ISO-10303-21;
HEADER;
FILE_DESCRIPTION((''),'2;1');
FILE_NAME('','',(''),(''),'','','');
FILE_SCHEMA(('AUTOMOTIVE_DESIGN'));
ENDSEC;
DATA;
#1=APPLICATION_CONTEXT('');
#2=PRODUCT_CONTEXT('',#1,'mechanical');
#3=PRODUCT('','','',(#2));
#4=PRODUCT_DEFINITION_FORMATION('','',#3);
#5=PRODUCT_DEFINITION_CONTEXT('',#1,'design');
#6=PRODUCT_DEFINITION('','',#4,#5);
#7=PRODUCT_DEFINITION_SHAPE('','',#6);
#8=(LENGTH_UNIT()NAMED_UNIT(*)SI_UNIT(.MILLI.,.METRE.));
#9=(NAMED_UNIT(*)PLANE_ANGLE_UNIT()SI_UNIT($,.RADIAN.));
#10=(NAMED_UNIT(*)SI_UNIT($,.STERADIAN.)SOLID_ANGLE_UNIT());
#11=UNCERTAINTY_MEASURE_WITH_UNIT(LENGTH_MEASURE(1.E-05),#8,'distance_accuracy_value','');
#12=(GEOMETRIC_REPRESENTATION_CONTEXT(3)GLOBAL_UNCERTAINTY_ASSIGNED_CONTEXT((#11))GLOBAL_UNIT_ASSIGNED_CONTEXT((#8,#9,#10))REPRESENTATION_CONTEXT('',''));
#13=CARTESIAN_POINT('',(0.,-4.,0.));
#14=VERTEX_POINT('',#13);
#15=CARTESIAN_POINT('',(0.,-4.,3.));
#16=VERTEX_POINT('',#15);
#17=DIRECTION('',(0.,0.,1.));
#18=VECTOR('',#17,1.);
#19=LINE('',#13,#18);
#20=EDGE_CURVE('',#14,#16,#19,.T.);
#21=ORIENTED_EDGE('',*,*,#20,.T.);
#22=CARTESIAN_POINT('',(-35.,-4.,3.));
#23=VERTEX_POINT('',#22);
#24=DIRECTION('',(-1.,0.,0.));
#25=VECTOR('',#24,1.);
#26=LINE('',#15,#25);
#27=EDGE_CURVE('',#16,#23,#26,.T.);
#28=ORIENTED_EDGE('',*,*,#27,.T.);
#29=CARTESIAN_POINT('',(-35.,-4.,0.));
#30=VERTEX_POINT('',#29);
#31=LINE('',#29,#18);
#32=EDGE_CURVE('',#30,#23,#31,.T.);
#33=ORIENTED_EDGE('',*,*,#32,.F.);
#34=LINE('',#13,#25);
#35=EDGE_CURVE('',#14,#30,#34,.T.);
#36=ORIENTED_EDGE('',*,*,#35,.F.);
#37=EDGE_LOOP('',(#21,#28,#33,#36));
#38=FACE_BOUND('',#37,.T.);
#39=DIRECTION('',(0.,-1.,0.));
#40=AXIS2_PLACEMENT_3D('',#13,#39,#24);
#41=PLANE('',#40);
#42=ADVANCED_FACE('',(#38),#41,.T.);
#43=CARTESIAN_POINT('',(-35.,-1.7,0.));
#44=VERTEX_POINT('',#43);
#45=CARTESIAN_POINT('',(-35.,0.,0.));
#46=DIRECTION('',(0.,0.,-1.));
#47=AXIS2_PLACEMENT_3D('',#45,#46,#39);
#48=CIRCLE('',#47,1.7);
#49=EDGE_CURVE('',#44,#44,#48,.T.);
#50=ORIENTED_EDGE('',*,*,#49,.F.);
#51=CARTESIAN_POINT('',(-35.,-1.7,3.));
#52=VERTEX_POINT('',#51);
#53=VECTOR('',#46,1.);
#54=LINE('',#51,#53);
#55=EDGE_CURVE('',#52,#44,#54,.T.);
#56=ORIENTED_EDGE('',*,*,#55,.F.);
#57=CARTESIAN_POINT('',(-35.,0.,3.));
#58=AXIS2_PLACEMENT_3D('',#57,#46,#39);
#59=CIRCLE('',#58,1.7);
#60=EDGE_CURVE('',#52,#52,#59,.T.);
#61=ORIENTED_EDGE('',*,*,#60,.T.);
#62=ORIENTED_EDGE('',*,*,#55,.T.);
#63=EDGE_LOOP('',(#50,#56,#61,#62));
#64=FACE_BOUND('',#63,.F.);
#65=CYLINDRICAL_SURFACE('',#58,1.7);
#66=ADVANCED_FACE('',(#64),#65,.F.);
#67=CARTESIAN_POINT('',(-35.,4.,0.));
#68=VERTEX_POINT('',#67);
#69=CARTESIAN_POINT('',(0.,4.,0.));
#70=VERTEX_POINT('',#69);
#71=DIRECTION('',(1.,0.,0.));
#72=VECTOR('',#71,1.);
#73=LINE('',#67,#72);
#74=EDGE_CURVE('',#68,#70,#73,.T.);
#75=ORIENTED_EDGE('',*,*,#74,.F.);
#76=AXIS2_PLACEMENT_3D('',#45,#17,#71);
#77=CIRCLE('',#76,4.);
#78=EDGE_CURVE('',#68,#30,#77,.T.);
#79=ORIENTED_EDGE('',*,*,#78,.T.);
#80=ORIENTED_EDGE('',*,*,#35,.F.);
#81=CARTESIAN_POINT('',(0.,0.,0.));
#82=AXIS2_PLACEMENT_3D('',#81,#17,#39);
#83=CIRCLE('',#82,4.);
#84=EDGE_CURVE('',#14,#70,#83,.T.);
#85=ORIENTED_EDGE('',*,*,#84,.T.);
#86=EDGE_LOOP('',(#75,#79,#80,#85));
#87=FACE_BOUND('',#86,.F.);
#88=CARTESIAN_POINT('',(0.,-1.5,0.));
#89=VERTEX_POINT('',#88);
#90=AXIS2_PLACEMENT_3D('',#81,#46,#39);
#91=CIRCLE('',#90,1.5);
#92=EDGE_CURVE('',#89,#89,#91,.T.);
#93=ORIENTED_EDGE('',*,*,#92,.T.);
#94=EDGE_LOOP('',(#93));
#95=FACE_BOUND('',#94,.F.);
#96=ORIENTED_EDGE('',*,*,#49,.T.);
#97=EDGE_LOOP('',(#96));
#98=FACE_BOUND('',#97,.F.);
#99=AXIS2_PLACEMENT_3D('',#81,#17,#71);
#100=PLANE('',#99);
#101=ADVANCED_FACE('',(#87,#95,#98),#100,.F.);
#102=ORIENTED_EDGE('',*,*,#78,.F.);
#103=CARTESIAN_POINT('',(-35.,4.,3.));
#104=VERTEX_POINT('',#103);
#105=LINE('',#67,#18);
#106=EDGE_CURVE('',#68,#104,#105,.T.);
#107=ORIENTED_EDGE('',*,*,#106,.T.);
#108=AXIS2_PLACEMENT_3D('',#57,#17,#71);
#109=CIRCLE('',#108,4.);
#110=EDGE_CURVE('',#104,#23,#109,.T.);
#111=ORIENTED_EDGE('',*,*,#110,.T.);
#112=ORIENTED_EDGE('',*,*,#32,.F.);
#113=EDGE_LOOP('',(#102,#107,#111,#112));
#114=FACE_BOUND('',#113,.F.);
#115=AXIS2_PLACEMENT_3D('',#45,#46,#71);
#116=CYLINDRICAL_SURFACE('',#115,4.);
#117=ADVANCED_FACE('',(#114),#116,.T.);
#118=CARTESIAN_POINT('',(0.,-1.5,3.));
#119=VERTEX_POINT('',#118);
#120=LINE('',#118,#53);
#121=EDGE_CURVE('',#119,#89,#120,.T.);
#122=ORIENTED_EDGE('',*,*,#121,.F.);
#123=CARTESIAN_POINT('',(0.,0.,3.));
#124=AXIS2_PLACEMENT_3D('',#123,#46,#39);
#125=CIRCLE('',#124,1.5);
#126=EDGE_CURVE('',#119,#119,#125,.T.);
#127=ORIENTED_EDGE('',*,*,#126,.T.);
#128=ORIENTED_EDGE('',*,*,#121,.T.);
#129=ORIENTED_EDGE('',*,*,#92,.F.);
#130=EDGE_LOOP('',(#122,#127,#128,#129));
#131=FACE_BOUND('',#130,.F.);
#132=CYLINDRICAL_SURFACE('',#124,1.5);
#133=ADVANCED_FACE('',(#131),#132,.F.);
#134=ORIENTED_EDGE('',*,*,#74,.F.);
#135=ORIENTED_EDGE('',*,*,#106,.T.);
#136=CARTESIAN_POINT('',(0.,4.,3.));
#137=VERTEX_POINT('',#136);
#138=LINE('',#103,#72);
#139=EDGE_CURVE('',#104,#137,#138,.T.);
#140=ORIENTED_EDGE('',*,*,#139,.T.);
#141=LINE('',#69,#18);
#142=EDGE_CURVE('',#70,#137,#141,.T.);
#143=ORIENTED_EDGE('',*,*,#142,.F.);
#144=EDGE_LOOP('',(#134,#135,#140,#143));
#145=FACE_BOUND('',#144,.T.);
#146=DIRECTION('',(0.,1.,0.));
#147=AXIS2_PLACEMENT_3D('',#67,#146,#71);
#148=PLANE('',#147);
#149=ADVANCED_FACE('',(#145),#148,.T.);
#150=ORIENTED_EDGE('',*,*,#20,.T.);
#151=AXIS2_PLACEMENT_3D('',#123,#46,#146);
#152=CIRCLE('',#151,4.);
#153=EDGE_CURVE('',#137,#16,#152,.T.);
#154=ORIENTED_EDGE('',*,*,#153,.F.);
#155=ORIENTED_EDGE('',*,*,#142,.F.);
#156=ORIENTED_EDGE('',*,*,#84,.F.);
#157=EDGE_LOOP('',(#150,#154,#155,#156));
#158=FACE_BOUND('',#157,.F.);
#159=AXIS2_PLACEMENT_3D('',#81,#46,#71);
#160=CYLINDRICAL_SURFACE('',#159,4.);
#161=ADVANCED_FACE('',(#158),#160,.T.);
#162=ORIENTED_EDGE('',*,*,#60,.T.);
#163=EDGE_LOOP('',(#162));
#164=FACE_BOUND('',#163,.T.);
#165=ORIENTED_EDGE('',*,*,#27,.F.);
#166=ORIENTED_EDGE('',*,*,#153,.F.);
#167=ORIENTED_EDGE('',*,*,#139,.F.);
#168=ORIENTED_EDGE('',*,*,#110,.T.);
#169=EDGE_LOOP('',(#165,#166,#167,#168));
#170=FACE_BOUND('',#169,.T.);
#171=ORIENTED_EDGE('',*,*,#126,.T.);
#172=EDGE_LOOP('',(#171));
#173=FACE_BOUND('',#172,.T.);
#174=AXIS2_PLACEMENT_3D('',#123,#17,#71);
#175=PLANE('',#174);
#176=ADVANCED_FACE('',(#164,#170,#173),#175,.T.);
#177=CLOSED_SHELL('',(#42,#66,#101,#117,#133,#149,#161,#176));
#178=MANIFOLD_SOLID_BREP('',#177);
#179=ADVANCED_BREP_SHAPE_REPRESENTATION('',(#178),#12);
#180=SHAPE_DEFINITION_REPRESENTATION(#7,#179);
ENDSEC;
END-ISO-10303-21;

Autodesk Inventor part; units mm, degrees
ref_plane "YZ Plane" through (0, 0, 0) normal (1, 0, 0) x (0, 1, 0)
ref_plane "XZ Plane" through (0, 0, 0) normal (0, 1, 0) x (-1, 0, 0)
ref_plane "XY Plane" through (0, 0, 0) normal (0, 0, 1) x (1, 0, 0)
sketch "Sketch1" plane through (0, 0, 0) normal (0, 0, 1) x (1, 0, 0)
  circle A0 centre (0, 0) radius 4
  circle A1 centre (-35, 0) radius 4
  line L0 (-35, 4) -> (0, 4)
  line L1 (0, -4) -> (-35, -4)
  dimension "d0" = 8
  dimension "d1" = 8
  dimension "d2" = 35
extrude "Extrusion1" add sketch "Sketch1" along normal blind 3
sketch "Sketch3" plane through (0, 0, 3) normal (0, 0, 1) x (1, 0, 0)
  arc A0 (-35, 4) -> (-35, -4) centre (-35, 0) ccw projected
  line L0 (-35, -4) -> (0, -4) projected
  arc A1 (0, -4) -> (0, 4) centre (0, 0) ccw projected
  line L1 (0, 4) -> (-35, 4) projected
hole "Hole1" at (0, 0, 3) direction (0, 0, -1) diameter 3 end through all
sketch "Sketch4" plane through (0, 0, 3) normal (0, 0, 1) x (1, 0, 0)
  circle A0 centre (0, 0) radius 1.5 projected
  arc A1 (-35, 4) -> (-35, -4) centre (-35, 0) ccw projected
  line L0 (-35, -4) -> (0, -4) projected
  arc A2 (0, -4) -> (0, 4) centre (0, 0) ccw projected
  line L1 (0, 4) -> (-35, 4) projected
hole "Hole2" at (-35, 0, 3) direction (0, 0, -1) diameter 3.4 end through all clearance for "Socket Head Cap Screw" size "M3" standard "Ansi Metric M Profile"
properties part number "Selection_Counterweight" material "Nylon 6/6"
